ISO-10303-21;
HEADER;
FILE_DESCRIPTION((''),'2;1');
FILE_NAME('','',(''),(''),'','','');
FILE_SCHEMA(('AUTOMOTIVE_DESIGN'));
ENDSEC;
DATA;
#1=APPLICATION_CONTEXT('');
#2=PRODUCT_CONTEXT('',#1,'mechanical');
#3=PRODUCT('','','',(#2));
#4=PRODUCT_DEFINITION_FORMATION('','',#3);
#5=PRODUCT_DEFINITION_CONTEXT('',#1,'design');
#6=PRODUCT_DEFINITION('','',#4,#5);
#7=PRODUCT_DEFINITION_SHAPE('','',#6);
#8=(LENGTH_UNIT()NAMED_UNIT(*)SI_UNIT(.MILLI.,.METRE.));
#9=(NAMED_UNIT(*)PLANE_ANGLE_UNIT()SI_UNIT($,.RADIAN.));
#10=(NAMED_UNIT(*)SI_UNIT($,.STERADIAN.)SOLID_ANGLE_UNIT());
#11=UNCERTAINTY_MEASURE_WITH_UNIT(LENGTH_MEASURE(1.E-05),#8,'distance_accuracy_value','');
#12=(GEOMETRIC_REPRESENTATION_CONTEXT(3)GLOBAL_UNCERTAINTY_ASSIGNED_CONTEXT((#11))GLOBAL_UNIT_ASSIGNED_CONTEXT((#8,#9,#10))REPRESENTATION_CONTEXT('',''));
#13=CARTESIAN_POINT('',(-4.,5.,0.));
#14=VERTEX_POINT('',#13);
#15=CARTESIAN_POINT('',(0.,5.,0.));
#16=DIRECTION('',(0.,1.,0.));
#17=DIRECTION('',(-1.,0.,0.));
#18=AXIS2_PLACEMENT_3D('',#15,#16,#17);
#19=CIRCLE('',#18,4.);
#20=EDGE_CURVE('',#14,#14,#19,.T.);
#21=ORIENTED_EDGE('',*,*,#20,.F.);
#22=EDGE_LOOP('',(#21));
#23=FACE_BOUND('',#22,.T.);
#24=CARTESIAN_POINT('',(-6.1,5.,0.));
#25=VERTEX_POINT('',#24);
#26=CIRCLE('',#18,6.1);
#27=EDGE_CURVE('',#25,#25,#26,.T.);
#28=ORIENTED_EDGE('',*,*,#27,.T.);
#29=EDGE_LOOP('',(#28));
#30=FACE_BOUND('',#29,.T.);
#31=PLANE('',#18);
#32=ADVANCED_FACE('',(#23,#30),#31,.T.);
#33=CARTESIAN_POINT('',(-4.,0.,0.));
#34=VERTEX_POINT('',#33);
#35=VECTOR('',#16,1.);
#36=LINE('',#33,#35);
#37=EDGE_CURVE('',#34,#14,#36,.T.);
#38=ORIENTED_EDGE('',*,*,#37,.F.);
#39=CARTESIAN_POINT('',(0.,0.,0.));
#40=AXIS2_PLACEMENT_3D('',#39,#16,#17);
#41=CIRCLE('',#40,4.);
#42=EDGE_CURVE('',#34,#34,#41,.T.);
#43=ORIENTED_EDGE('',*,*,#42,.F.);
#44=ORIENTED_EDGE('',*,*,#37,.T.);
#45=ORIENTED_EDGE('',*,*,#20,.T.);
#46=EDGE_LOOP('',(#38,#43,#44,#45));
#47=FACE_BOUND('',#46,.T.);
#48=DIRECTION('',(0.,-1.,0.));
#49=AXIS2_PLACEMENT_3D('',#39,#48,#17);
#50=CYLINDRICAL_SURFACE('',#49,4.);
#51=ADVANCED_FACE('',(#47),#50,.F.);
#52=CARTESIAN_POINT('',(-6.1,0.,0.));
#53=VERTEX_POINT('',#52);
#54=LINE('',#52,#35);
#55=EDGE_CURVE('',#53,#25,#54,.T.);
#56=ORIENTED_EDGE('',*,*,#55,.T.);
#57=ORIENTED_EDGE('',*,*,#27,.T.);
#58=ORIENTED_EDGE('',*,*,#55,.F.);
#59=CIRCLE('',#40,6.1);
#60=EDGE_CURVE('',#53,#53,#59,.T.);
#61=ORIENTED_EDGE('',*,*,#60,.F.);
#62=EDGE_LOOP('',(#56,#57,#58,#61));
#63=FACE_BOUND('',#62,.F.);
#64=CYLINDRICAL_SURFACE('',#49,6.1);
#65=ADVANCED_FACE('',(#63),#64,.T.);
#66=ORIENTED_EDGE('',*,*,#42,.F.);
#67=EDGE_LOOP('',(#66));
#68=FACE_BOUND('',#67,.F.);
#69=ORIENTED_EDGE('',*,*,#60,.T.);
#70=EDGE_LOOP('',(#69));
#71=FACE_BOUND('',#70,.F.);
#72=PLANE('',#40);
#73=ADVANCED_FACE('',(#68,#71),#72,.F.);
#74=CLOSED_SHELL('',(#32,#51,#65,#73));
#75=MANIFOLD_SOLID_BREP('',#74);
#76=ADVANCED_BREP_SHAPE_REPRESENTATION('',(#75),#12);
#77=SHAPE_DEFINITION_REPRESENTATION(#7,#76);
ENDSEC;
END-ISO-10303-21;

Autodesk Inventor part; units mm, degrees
sketch "Sketch1" plane through (0, 0, 0) normal (0, 1, 0) x (-1, 0, 0)
  circle A0 centre (0, 0) radius 6.1
  circle A1 centre (0, 0) radius 4
  dimension "d0" = 12.2
  dimension "d1" = 8
extrude "Extrusion1" add sketch "Sketch1" along normal blind 5
properties part number "distance-ring" material "PET Plastic"
